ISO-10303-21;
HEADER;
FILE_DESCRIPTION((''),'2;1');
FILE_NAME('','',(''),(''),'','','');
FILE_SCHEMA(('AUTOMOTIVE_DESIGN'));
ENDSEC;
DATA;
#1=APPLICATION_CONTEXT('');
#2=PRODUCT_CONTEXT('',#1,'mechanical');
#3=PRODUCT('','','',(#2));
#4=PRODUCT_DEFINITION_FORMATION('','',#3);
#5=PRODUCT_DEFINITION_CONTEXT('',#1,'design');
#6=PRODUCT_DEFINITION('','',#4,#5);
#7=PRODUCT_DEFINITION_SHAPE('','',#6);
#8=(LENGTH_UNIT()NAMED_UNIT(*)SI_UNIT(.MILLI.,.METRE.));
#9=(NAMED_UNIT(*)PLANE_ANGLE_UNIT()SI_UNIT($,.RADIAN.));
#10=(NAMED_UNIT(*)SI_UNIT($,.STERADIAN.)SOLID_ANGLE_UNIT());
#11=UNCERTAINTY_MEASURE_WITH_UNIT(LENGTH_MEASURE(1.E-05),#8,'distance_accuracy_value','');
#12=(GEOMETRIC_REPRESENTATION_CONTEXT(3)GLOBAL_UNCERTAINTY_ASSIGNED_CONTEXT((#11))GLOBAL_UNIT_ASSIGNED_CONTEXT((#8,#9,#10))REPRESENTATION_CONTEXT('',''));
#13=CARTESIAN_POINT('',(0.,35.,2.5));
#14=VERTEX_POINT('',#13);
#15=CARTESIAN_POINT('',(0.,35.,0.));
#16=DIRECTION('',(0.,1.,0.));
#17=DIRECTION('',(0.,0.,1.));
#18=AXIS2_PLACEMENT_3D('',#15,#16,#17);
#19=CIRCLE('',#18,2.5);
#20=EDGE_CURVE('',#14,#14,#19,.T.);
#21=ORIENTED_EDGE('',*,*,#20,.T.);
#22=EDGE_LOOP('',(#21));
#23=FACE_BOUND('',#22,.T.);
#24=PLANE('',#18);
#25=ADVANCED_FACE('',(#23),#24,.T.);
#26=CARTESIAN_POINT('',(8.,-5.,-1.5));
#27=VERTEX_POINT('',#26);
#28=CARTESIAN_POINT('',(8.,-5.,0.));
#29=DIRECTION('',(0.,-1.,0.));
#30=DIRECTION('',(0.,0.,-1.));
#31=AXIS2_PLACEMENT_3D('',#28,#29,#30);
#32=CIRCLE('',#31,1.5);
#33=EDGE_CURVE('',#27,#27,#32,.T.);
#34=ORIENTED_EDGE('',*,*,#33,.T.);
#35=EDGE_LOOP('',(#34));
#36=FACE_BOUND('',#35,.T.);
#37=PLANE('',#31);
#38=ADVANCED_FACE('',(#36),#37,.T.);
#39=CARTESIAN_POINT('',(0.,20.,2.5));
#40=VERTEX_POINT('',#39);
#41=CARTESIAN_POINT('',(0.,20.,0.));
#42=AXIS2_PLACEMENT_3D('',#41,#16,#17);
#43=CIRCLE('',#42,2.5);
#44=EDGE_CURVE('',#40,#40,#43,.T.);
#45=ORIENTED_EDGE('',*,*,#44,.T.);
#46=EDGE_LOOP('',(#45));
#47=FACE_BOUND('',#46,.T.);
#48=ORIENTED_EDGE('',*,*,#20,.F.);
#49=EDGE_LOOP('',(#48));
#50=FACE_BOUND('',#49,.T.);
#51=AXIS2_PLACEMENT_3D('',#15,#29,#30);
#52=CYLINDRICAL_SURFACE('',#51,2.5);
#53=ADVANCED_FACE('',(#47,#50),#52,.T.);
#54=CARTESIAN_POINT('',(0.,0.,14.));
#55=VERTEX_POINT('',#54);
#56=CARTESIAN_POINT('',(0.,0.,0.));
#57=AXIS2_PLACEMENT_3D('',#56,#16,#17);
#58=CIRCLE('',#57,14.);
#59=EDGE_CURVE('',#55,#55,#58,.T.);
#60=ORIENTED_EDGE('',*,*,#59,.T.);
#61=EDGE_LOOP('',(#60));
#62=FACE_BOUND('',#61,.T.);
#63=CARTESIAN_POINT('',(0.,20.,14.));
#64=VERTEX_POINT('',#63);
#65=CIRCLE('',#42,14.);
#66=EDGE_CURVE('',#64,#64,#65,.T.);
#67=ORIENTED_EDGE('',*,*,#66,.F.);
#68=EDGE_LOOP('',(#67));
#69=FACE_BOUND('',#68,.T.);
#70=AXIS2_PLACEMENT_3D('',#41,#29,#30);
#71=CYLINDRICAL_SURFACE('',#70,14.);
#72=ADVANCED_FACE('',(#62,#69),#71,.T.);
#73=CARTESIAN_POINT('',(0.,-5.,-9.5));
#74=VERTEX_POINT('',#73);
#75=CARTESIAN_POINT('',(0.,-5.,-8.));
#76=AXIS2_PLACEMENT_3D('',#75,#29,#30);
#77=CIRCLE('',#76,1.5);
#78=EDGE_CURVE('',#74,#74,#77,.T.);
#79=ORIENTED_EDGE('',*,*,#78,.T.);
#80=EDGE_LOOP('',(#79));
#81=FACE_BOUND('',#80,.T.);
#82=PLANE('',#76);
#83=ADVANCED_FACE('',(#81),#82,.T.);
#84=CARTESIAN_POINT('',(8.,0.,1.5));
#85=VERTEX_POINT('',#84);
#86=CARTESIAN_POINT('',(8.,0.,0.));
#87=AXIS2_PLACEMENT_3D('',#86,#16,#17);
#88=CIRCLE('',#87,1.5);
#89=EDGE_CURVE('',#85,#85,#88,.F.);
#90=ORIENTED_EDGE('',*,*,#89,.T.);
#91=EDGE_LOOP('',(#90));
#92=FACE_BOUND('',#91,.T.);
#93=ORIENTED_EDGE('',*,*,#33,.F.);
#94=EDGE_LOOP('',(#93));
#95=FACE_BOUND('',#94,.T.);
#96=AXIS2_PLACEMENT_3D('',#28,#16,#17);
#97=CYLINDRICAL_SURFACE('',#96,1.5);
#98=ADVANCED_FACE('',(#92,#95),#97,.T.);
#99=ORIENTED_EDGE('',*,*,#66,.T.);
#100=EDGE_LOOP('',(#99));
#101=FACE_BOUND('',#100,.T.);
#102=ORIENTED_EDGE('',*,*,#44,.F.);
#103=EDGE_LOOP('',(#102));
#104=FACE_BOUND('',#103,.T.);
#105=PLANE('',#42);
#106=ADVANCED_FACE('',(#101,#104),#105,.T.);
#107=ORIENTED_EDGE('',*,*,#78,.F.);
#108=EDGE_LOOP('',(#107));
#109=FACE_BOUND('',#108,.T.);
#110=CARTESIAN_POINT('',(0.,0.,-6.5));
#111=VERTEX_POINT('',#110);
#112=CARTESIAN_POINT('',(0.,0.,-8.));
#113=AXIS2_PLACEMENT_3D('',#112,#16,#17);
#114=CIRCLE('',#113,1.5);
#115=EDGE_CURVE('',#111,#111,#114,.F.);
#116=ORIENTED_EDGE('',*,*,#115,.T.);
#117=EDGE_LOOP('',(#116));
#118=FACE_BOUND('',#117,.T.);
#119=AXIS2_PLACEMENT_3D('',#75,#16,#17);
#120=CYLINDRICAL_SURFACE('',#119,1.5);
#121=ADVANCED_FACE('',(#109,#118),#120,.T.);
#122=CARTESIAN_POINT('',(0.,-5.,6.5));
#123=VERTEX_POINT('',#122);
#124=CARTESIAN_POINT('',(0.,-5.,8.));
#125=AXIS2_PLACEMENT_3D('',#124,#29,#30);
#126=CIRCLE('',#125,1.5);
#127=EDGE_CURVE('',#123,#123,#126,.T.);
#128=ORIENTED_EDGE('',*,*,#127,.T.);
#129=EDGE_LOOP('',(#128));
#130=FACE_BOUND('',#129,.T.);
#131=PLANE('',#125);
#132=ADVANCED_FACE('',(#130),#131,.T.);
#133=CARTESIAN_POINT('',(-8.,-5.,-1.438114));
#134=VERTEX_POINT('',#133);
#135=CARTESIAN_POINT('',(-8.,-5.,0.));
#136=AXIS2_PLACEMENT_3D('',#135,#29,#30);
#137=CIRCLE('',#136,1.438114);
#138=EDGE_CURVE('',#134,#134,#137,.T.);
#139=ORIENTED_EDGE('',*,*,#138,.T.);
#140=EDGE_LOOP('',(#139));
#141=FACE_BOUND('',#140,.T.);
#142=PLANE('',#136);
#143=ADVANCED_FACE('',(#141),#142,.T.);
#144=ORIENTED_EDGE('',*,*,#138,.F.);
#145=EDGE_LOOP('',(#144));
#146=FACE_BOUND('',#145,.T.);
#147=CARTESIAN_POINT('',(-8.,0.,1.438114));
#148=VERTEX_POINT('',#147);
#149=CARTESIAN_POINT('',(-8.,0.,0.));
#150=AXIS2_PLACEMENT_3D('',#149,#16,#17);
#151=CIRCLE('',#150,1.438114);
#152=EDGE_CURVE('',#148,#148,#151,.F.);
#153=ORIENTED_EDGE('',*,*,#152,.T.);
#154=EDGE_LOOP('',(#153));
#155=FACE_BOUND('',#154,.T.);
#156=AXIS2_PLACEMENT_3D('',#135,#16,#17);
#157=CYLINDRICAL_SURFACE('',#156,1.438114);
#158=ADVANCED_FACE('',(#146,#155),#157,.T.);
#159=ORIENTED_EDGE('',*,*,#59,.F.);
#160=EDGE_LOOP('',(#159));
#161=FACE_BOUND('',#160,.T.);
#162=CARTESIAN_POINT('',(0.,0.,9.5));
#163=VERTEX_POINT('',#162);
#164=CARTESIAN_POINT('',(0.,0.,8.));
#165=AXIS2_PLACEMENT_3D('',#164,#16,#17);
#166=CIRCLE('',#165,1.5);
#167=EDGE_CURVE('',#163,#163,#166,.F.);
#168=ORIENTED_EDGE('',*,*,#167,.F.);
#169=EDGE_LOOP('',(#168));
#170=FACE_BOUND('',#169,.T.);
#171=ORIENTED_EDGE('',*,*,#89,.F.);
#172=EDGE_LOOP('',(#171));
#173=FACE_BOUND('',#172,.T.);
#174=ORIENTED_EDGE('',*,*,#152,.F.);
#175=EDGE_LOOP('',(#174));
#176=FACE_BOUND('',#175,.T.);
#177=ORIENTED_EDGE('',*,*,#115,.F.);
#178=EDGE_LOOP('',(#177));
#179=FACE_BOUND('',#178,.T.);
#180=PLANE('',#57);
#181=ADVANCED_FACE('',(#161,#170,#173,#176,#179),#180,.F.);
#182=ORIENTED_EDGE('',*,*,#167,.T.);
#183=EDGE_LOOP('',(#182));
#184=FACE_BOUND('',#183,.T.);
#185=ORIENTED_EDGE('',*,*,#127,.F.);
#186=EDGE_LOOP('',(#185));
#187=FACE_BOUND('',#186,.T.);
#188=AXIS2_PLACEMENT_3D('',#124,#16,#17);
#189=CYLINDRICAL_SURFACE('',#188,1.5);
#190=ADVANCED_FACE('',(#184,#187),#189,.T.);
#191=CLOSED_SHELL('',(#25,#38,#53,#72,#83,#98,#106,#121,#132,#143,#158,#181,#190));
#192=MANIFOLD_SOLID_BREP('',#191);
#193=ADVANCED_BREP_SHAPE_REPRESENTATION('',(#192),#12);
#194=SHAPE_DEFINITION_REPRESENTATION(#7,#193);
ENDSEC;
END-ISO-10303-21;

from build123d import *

# Parameters (mm, degrees)
ESQUISSE1_R        = 14
BOSS_EXTRU_1_DEPTH = 20
ESQUISSE2_R        = 2.5
BOSS_EXTRU_2_DEPTH = 15
ESQUISSE3_R        = 1.5
ESQUISSE3_R_2      = 1.438113866
BOSS_EXTRU_3_DEPTH = 5


with BuildPart() as part:
    # Esquisse1 → Boss.-Extru.1 (new body)
    with BuildSketch(Plane(origin=(0, 0, 0), x_dir=(1, 0, 0), z_dir=(0, 1, 0))):
        with Locations(Location((0, 0, 0), (0, 0, 270))):
            Circle(ESQUISSE1_R)
    extrude(amount=BOSS_EXTRU_1_DEPTH)

    # Esquisse2 → Boss.-Extru.2 (add)
    with BuildSketch(Plane(origin=(0, 20, 0), x_dir=(1, 0, 0), z_dir=(0, 1, 0))):
        with Locations(Location((0, 0, 0), (0, 0, 270))):
            Circle(ESQUISSE2_R)
    extrude(amount=BOSS_EXTRU_2_DEPTH)

    # Esquisse3 → Boss.-Extru.3 (add)
    with BuildSketch(Plane(origin=(0, 0, 0), x_dir=(-1, 0, 0), z_dir=(0, -1, 0))):
        with Locations(Location((-8, 0, 0), (0, 0, 270))):
            Circle(ESQUISSE3_R)
        with Locations(Location((0, 8, 0), (0, 0, 270))):
            Circle(ESQUISSE3_R)
        with Locations(Location((8, 0, 0), (0, 0, 270))):
            Circle(ESQUISSE3_R_2)
        with Locations(Location((0, -8, 0), (0, 0, 270))):
            Circle(ESQUISSE3_R)
    extrude(amount=BOSS_EXTRU_3_DEPTH)


solid = part.part
